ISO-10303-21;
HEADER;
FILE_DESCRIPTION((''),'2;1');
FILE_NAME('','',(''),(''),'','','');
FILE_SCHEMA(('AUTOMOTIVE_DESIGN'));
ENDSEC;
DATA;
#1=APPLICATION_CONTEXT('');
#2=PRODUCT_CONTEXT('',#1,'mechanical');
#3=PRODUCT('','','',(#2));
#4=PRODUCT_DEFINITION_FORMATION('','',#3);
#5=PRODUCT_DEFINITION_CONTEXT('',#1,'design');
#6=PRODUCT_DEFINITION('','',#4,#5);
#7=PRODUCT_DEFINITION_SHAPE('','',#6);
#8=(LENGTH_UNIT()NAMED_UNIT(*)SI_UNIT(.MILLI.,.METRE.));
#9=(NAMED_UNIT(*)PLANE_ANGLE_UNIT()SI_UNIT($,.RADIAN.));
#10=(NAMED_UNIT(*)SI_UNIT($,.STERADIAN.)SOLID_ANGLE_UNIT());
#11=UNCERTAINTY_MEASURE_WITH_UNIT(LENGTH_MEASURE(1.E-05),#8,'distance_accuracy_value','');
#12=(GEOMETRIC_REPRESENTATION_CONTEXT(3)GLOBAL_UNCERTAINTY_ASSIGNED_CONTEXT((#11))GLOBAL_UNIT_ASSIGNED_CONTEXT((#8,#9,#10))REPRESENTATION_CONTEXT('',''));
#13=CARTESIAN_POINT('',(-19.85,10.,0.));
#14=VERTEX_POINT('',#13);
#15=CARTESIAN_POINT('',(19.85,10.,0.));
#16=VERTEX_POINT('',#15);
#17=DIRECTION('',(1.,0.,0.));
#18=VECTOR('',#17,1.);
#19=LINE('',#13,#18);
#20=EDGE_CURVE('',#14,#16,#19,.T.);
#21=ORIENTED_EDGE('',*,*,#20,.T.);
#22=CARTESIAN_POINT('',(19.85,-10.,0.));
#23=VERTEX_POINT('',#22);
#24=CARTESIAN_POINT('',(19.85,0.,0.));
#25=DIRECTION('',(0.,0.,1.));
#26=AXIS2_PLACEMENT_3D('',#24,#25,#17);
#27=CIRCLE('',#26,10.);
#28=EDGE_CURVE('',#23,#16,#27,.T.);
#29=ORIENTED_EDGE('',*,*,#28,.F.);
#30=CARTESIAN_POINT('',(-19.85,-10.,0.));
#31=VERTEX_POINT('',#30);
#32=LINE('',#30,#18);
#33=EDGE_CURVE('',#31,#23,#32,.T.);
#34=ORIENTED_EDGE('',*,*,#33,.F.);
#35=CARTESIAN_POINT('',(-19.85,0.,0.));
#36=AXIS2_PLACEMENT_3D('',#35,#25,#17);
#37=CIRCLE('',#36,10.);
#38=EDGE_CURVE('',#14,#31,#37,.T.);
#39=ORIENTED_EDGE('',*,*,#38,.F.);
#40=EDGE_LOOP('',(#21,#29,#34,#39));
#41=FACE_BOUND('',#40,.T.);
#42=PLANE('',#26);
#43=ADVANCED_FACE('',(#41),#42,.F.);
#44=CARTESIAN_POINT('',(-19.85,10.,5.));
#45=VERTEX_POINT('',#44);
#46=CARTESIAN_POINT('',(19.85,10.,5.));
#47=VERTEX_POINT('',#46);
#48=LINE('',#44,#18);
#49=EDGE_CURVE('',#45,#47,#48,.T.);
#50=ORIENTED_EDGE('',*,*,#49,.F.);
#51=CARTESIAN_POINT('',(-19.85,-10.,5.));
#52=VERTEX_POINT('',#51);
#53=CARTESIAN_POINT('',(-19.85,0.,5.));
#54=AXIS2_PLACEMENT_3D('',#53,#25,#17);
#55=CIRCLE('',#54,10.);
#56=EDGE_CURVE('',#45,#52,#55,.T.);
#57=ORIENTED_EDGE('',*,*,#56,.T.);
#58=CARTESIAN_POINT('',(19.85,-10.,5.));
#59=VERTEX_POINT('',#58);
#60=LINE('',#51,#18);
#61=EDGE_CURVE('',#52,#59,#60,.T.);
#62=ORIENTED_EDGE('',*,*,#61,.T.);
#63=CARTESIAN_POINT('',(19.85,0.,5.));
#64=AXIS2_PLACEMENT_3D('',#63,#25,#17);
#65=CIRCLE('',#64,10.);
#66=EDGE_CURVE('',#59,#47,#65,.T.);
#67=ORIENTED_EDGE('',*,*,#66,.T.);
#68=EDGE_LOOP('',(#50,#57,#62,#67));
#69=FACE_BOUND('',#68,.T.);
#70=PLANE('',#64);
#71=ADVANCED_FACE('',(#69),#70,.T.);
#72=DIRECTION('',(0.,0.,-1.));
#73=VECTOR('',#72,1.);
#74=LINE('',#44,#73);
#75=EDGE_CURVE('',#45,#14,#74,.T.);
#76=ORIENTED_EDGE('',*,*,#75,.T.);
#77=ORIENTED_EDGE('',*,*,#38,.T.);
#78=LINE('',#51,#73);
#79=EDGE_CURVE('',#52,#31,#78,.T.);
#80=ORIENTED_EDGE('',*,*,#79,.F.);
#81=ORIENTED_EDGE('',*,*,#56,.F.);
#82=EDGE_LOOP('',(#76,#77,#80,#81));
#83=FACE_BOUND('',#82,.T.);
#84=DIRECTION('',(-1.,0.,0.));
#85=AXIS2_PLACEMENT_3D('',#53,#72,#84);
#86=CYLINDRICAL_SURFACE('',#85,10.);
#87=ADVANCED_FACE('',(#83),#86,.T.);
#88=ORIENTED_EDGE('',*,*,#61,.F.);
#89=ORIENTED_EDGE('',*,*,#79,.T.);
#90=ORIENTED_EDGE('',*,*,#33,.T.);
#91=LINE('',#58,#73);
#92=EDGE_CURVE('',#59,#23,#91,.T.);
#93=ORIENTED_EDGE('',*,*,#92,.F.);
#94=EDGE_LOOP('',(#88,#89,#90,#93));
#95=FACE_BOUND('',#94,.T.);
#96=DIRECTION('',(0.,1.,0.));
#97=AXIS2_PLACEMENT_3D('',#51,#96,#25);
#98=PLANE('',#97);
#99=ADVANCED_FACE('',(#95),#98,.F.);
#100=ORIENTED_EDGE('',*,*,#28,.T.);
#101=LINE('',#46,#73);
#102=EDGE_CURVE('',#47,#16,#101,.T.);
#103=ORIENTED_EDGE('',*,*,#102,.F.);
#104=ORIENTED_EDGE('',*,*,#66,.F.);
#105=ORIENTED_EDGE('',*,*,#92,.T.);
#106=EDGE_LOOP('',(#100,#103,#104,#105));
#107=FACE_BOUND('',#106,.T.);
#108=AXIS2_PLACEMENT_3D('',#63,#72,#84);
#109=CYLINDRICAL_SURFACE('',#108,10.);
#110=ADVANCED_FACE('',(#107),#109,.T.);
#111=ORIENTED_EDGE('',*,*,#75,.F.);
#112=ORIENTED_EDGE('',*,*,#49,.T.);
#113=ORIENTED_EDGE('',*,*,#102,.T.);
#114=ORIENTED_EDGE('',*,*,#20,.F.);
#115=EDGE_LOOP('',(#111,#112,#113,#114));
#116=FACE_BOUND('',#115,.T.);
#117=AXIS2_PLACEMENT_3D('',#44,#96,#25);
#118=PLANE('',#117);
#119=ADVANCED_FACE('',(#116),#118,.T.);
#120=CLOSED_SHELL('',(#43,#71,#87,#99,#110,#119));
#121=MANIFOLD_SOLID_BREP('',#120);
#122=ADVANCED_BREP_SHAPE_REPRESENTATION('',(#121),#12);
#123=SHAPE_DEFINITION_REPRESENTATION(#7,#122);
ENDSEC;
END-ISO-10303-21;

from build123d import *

# Parameters (mm, degrees)
EXTRUDE_2_DEPTH = 5


with BuildPart() as part:
    # Эскиз1 → Бобышка-Вытянуть2 (new body)
    with BuildSketch(Plane.XY):
        with BuildLine():
            Line((-19.85, 10), (19.85, 10))
            ThreePointArc((19.85, 10), (29.85, 0), (19.85, -10))
            Line((19.85, -10), (-19.85, -10))
            ThreePointArc((-19.85, -10), (-29.85, 0), (-19.85, 10))
        make_face()
    extrude(amount=EXTRUDE_2_DEPTH)


solid = part.part
